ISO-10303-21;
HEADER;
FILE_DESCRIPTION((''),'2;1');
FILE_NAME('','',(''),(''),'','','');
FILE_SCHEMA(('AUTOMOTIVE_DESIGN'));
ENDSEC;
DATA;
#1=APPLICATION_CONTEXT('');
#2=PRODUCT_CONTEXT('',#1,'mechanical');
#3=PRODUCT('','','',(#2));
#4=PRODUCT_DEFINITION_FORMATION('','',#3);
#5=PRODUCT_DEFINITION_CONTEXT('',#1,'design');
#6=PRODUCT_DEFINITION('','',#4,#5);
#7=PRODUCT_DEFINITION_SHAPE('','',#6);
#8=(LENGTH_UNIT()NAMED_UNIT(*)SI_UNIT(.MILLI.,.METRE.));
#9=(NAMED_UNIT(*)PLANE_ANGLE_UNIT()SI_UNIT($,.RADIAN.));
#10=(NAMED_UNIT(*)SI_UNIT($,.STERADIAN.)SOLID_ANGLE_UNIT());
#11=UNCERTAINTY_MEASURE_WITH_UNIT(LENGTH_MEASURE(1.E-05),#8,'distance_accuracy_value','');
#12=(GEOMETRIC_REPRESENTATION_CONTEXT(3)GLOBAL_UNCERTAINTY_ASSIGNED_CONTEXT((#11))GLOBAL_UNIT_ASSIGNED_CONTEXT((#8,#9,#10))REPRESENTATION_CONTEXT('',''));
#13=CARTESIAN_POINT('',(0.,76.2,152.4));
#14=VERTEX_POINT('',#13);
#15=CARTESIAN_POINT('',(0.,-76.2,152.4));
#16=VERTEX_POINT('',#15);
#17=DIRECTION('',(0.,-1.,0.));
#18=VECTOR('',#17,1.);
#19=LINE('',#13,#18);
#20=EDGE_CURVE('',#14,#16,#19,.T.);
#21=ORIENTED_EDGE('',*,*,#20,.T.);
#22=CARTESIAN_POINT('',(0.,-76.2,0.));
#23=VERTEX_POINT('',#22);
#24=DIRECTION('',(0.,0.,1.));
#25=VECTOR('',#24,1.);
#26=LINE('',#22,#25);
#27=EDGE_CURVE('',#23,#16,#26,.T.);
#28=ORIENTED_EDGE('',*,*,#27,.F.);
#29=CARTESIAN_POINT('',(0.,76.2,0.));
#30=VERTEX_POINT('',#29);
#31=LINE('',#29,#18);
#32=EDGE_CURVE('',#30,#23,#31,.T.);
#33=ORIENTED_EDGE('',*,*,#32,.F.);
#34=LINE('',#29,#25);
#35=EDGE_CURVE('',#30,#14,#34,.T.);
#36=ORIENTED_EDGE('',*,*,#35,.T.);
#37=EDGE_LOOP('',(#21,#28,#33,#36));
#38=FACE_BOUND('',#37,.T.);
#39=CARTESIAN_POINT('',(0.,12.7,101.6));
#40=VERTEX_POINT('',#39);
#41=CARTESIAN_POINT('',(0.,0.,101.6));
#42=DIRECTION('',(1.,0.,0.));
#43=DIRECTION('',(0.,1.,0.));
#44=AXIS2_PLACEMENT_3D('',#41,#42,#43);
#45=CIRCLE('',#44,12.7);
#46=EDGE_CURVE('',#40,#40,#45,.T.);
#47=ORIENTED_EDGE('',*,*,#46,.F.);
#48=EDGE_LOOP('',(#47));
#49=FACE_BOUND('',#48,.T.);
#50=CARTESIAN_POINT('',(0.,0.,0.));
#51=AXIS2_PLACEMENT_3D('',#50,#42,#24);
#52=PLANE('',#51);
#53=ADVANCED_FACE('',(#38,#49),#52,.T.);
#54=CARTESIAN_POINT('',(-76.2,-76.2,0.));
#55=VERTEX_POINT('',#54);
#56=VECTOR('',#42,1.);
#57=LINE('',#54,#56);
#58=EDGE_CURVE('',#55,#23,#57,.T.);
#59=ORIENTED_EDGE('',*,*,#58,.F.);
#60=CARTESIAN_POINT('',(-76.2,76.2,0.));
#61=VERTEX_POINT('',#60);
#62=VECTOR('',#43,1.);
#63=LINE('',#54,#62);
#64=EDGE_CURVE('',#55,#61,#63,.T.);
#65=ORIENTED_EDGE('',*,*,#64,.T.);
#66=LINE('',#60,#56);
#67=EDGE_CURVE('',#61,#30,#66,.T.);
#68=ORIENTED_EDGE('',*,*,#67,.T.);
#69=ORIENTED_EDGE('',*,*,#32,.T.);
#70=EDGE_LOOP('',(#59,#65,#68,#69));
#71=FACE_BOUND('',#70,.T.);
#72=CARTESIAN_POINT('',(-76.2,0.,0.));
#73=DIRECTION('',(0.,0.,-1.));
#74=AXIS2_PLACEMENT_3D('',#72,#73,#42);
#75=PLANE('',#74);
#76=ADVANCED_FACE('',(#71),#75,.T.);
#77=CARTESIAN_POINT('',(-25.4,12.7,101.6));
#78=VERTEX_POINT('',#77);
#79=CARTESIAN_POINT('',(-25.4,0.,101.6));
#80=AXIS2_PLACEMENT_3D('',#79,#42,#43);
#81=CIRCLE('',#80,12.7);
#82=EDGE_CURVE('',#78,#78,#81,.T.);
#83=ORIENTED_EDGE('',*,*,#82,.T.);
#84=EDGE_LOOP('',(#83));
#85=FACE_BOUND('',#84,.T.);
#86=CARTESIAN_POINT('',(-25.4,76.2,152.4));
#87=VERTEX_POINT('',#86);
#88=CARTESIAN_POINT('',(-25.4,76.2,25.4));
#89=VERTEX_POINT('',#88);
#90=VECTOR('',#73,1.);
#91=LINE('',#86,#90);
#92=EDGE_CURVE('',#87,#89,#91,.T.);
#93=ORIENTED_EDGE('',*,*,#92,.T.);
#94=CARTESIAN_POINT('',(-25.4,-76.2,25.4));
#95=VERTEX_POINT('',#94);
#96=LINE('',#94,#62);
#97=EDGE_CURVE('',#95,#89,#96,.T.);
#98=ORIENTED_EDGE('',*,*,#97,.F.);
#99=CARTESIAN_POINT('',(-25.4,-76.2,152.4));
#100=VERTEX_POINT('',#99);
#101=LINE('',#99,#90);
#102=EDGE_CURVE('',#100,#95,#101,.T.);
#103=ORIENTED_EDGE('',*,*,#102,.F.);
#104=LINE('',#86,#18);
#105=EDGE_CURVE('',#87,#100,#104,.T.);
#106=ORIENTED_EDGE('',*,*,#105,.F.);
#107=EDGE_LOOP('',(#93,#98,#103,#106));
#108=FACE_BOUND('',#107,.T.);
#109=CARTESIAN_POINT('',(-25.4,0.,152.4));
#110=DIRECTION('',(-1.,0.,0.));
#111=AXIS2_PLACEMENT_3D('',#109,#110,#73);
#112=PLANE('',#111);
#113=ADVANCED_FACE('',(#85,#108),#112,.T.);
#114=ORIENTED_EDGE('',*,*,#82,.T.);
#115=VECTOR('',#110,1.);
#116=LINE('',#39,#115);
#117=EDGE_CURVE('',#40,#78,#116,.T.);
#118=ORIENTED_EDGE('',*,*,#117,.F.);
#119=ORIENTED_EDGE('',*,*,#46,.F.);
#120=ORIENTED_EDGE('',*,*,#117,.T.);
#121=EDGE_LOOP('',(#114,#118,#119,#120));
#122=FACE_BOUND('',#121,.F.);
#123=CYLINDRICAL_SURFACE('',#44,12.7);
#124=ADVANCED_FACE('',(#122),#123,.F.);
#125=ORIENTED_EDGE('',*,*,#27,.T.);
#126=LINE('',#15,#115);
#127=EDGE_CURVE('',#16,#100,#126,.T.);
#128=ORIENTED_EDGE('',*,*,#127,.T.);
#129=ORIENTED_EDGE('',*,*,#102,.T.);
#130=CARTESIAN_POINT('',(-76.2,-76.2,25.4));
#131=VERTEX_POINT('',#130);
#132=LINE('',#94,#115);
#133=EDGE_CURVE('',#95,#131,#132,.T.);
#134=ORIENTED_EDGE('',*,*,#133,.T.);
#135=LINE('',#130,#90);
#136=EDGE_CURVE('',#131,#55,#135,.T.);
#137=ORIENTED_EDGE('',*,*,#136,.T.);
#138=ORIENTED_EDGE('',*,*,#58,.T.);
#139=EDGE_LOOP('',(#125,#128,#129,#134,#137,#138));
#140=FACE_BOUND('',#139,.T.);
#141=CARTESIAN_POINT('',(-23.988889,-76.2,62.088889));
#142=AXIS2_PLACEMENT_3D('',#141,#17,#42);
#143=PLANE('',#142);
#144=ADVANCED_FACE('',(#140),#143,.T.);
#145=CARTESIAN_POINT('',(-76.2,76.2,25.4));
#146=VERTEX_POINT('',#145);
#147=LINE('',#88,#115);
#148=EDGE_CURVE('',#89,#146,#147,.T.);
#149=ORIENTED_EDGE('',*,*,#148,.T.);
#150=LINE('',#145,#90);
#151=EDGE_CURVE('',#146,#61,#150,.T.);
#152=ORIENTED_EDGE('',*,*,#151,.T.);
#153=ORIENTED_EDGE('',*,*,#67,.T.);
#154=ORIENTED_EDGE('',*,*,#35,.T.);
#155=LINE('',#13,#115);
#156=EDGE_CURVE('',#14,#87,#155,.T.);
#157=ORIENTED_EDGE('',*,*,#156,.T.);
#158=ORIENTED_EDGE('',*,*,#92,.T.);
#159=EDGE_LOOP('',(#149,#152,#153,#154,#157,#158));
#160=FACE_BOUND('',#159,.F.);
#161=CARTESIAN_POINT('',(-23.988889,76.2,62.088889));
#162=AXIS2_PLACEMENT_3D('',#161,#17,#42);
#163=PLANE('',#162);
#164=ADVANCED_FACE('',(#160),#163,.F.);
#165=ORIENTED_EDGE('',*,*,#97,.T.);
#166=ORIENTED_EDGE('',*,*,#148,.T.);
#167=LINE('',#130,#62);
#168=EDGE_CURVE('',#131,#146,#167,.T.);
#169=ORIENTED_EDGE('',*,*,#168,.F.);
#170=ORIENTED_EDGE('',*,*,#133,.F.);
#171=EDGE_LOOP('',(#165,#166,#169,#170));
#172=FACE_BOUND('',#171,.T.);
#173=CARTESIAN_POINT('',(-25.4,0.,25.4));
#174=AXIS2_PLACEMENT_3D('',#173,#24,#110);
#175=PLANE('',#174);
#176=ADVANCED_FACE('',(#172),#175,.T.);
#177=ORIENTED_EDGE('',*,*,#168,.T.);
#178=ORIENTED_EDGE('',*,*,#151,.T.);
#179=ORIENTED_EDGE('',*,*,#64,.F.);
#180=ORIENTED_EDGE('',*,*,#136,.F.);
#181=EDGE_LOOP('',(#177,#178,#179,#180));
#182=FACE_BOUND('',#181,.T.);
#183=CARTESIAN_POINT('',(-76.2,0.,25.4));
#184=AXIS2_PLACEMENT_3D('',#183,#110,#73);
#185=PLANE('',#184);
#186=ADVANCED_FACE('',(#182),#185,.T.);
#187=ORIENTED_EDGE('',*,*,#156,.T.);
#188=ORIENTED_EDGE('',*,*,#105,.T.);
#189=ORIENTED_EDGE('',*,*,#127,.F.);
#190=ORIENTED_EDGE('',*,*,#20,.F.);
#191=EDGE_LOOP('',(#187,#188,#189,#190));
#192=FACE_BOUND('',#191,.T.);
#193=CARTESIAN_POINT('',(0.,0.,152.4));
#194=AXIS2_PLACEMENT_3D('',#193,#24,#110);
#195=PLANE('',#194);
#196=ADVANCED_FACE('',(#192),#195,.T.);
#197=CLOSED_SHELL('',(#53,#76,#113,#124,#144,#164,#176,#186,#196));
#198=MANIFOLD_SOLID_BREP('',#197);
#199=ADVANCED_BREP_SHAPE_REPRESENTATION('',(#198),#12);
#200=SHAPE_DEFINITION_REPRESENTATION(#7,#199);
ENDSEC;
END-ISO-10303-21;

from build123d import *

# Parameters (mm, degrees)
F1_DEPTH = 76.2
F2_R     = 12.7
F3_DEPTH = 87.63


with BuildPart() as f1:
    # F0 (on Front) → F1 (new body, symmetric)
    with BuildSketch(Plane.XZ):
        Polygon((-76.2, 0), (0, 0), (0, 152.4), (-25.4, 152.4), (-25.4, 25.4), (-76.2, 25.4), align=None)
    extrude(amount=F1_DEPTH, both=True)

    # F2 (on face) → F3 (cut)
    with BuildSketch(Plane.YZ):
        with Locations((0, 101.6)):
            Circle(F2_R)
    extrude(amount=-F3_DEPTH, mode=Mode.SUBTRACT)


solid = f1.part
